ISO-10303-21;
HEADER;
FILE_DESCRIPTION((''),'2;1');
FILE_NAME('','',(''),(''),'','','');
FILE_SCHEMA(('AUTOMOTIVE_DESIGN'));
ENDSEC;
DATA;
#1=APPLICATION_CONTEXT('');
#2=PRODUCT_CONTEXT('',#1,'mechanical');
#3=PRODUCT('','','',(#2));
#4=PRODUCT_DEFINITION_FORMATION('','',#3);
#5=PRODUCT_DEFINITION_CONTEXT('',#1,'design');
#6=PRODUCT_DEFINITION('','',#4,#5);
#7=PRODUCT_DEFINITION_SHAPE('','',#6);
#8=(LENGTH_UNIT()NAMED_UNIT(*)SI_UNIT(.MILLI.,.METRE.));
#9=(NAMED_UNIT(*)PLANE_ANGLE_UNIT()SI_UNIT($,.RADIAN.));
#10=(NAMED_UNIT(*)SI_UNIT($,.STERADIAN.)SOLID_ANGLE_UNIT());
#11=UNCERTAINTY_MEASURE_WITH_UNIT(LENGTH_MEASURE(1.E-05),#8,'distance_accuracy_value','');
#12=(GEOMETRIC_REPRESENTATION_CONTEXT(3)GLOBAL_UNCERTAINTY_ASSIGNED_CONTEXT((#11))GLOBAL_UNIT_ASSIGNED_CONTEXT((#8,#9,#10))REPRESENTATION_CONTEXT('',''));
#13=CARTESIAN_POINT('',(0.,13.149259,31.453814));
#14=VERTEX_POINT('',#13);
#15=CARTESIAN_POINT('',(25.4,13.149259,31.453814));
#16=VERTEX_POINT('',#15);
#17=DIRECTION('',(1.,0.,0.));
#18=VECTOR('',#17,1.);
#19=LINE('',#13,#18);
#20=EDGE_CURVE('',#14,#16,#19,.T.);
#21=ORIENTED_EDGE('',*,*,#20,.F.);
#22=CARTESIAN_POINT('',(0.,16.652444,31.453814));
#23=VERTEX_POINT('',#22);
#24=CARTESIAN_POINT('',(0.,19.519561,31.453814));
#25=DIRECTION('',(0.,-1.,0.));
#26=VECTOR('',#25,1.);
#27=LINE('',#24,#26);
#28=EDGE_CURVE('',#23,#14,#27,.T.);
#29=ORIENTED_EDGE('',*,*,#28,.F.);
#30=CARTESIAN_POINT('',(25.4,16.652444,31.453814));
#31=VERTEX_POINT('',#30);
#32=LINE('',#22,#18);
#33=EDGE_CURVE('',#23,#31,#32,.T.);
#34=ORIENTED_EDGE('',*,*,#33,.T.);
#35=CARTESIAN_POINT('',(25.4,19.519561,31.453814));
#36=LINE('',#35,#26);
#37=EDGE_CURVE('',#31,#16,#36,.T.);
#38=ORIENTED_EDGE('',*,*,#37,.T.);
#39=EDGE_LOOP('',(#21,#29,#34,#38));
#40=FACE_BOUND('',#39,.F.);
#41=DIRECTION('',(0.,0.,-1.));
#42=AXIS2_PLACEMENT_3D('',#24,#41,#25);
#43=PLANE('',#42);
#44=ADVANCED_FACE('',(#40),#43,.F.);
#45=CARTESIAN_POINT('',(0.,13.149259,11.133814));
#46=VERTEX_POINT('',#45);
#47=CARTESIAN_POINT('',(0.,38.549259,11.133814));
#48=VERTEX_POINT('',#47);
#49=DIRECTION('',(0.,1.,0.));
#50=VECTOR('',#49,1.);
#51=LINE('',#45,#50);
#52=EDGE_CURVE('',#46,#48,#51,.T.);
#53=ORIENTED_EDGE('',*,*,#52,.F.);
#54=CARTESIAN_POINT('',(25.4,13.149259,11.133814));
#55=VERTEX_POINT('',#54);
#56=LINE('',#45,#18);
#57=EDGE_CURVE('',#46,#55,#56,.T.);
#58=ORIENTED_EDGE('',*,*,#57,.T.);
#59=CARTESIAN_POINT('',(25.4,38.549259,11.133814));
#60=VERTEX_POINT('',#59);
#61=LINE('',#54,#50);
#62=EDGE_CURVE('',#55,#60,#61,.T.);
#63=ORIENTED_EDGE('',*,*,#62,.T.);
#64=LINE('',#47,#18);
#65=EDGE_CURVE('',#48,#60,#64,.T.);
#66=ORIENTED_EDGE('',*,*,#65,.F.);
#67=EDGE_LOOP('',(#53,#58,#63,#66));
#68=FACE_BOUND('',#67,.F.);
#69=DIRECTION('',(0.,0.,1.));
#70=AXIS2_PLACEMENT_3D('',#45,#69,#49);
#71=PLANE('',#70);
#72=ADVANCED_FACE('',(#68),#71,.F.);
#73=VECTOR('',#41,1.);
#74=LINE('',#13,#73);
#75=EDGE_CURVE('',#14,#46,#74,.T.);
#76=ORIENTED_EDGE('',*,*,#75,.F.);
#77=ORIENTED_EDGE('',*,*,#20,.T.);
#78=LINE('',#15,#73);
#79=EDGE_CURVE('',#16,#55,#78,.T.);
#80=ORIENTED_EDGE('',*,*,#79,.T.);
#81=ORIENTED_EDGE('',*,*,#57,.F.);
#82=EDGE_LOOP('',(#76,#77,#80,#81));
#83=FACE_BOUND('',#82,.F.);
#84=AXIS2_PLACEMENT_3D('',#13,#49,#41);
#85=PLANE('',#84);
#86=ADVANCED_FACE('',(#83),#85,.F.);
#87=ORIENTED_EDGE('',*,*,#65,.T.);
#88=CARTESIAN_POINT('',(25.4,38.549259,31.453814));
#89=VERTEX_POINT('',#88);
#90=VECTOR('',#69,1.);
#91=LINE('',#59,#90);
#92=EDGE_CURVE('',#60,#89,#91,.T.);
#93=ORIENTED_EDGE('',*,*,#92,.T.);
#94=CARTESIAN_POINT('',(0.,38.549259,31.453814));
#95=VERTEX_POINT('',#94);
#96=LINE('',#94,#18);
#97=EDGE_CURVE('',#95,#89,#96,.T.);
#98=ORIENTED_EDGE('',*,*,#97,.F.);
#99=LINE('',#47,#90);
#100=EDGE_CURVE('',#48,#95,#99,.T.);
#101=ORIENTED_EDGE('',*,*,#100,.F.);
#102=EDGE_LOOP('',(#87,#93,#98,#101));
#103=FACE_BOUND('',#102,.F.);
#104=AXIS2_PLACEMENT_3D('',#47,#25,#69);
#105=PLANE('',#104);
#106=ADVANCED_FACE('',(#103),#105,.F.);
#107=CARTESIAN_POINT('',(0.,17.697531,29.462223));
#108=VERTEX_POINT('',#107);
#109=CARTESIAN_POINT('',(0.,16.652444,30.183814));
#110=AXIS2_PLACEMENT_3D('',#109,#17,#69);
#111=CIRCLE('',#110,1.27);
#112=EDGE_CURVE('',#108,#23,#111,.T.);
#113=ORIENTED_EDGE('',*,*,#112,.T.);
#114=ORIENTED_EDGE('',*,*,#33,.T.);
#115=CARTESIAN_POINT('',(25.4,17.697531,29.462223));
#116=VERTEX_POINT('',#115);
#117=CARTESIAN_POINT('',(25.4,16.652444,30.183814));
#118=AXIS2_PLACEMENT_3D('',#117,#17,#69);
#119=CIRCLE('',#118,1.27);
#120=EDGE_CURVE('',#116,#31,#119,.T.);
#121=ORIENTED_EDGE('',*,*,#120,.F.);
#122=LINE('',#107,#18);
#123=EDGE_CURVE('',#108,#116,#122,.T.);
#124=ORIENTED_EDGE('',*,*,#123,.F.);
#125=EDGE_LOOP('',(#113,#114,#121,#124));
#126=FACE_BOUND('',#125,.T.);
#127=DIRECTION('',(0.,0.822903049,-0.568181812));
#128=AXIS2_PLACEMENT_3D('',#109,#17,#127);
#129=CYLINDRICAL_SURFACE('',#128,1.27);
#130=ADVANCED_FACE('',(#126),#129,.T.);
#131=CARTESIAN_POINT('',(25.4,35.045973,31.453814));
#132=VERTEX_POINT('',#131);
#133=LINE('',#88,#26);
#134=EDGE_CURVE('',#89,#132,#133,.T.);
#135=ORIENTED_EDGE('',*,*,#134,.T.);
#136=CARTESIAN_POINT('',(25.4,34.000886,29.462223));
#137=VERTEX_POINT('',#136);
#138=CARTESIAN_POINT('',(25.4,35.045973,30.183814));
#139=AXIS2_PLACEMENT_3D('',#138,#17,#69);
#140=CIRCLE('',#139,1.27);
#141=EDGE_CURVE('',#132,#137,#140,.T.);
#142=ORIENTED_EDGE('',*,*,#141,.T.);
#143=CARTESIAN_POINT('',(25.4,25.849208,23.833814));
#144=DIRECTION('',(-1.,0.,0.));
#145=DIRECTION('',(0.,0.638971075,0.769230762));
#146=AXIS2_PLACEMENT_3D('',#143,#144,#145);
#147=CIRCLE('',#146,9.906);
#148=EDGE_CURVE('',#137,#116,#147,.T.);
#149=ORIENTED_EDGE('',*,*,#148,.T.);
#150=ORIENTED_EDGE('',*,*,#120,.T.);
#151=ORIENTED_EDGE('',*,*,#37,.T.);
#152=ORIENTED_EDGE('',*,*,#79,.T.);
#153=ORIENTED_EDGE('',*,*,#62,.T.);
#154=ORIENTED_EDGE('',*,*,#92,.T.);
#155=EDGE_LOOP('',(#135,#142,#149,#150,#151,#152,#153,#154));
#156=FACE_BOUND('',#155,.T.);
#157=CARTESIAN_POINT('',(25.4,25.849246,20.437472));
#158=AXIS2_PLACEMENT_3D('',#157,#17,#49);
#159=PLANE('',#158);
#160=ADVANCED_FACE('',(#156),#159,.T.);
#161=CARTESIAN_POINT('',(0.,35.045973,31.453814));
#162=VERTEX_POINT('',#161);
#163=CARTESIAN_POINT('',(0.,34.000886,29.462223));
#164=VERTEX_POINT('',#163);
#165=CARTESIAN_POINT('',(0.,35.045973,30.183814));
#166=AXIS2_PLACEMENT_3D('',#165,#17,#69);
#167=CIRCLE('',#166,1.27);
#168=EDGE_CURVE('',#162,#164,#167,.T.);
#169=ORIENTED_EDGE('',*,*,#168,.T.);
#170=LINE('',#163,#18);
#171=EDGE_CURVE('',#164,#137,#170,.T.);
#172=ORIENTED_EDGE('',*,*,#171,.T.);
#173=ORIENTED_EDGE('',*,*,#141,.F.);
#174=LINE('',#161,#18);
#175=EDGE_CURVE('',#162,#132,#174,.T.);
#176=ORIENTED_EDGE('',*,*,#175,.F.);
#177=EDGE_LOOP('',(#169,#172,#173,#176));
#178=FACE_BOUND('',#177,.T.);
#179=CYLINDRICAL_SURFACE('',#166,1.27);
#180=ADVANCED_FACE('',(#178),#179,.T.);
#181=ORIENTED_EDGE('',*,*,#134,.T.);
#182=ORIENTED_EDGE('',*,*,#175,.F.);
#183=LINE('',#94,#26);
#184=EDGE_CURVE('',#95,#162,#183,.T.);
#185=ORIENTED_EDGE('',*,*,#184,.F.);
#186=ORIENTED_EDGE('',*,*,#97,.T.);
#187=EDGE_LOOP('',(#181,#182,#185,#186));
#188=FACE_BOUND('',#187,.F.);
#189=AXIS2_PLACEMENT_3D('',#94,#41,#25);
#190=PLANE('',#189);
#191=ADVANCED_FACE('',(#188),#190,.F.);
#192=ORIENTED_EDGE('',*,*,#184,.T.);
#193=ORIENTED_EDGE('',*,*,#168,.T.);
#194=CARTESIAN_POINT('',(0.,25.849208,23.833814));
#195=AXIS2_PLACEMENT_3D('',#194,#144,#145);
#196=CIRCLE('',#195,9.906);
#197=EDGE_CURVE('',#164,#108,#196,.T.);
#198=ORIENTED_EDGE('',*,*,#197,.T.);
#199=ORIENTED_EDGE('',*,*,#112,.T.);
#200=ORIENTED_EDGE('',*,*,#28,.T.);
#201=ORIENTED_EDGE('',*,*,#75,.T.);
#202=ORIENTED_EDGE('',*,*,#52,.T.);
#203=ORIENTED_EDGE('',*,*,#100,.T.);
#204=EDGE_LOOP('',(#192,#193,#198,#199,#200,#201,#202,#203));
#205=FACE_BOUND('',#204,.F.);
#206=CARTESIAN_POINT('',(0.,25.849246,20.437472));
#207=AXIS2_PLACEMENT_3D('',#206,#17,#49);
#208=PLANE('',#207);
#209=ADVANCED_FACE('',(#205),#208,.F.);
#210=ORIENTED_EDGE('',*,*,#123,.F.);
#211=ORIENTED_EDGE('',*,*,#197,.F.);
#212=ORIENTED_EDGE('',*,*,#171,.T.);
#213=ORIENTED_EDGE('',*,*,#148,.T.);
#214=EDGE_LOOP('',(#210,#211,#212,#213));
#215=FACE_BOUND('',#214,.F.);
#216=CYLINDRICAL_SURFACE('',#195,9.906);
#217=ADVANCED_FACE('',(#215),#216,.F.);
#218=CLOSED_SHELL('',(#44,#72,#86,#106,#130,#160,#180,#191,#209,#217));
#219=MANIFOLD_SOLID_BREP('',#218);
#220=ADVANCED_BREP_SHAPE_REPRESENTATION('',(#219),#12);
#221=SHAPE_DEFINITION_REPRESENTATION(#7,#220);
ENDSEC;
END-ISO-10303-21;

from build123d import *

# Parameters (mm, degrees)
F1_DEPTH = 25.4
F2_R     = 1.27


with BuildPart() as f1:
    # F0 (on Right) → F1 (new body)
    with BuildSketch(Plane.YZ):
        with BuildLine():
            Line((13.149259, 31.453814), (13.149259, 11.133814))
            Line((13.149259, 11.133814), (38.549259, 11.133814))
            Line((38.549259, 11.133814), (38.549259, 31.453814))
            Line((38.549259, 31.453814), (32.178856, 31.453814))
            ThreePointArc((32.178856, 31.453814), (25.849208, 13.927814), (19.519561, 31.453814))
            Line((19.519561, 31.453814), (13.149259, 31.453814))
        make_face()
    extrude(amount=F1_DEPTH)

    # F2
    f2_edges = [f1.edges().sort_by_distance(p)[0] for p in [
        (12.7, 32.178856, 31.453814),
        (12.7, 19.519561, 31.453814),
    ]]
    fillet(f2_edges, radius=F2_R)


solid = f1.part
